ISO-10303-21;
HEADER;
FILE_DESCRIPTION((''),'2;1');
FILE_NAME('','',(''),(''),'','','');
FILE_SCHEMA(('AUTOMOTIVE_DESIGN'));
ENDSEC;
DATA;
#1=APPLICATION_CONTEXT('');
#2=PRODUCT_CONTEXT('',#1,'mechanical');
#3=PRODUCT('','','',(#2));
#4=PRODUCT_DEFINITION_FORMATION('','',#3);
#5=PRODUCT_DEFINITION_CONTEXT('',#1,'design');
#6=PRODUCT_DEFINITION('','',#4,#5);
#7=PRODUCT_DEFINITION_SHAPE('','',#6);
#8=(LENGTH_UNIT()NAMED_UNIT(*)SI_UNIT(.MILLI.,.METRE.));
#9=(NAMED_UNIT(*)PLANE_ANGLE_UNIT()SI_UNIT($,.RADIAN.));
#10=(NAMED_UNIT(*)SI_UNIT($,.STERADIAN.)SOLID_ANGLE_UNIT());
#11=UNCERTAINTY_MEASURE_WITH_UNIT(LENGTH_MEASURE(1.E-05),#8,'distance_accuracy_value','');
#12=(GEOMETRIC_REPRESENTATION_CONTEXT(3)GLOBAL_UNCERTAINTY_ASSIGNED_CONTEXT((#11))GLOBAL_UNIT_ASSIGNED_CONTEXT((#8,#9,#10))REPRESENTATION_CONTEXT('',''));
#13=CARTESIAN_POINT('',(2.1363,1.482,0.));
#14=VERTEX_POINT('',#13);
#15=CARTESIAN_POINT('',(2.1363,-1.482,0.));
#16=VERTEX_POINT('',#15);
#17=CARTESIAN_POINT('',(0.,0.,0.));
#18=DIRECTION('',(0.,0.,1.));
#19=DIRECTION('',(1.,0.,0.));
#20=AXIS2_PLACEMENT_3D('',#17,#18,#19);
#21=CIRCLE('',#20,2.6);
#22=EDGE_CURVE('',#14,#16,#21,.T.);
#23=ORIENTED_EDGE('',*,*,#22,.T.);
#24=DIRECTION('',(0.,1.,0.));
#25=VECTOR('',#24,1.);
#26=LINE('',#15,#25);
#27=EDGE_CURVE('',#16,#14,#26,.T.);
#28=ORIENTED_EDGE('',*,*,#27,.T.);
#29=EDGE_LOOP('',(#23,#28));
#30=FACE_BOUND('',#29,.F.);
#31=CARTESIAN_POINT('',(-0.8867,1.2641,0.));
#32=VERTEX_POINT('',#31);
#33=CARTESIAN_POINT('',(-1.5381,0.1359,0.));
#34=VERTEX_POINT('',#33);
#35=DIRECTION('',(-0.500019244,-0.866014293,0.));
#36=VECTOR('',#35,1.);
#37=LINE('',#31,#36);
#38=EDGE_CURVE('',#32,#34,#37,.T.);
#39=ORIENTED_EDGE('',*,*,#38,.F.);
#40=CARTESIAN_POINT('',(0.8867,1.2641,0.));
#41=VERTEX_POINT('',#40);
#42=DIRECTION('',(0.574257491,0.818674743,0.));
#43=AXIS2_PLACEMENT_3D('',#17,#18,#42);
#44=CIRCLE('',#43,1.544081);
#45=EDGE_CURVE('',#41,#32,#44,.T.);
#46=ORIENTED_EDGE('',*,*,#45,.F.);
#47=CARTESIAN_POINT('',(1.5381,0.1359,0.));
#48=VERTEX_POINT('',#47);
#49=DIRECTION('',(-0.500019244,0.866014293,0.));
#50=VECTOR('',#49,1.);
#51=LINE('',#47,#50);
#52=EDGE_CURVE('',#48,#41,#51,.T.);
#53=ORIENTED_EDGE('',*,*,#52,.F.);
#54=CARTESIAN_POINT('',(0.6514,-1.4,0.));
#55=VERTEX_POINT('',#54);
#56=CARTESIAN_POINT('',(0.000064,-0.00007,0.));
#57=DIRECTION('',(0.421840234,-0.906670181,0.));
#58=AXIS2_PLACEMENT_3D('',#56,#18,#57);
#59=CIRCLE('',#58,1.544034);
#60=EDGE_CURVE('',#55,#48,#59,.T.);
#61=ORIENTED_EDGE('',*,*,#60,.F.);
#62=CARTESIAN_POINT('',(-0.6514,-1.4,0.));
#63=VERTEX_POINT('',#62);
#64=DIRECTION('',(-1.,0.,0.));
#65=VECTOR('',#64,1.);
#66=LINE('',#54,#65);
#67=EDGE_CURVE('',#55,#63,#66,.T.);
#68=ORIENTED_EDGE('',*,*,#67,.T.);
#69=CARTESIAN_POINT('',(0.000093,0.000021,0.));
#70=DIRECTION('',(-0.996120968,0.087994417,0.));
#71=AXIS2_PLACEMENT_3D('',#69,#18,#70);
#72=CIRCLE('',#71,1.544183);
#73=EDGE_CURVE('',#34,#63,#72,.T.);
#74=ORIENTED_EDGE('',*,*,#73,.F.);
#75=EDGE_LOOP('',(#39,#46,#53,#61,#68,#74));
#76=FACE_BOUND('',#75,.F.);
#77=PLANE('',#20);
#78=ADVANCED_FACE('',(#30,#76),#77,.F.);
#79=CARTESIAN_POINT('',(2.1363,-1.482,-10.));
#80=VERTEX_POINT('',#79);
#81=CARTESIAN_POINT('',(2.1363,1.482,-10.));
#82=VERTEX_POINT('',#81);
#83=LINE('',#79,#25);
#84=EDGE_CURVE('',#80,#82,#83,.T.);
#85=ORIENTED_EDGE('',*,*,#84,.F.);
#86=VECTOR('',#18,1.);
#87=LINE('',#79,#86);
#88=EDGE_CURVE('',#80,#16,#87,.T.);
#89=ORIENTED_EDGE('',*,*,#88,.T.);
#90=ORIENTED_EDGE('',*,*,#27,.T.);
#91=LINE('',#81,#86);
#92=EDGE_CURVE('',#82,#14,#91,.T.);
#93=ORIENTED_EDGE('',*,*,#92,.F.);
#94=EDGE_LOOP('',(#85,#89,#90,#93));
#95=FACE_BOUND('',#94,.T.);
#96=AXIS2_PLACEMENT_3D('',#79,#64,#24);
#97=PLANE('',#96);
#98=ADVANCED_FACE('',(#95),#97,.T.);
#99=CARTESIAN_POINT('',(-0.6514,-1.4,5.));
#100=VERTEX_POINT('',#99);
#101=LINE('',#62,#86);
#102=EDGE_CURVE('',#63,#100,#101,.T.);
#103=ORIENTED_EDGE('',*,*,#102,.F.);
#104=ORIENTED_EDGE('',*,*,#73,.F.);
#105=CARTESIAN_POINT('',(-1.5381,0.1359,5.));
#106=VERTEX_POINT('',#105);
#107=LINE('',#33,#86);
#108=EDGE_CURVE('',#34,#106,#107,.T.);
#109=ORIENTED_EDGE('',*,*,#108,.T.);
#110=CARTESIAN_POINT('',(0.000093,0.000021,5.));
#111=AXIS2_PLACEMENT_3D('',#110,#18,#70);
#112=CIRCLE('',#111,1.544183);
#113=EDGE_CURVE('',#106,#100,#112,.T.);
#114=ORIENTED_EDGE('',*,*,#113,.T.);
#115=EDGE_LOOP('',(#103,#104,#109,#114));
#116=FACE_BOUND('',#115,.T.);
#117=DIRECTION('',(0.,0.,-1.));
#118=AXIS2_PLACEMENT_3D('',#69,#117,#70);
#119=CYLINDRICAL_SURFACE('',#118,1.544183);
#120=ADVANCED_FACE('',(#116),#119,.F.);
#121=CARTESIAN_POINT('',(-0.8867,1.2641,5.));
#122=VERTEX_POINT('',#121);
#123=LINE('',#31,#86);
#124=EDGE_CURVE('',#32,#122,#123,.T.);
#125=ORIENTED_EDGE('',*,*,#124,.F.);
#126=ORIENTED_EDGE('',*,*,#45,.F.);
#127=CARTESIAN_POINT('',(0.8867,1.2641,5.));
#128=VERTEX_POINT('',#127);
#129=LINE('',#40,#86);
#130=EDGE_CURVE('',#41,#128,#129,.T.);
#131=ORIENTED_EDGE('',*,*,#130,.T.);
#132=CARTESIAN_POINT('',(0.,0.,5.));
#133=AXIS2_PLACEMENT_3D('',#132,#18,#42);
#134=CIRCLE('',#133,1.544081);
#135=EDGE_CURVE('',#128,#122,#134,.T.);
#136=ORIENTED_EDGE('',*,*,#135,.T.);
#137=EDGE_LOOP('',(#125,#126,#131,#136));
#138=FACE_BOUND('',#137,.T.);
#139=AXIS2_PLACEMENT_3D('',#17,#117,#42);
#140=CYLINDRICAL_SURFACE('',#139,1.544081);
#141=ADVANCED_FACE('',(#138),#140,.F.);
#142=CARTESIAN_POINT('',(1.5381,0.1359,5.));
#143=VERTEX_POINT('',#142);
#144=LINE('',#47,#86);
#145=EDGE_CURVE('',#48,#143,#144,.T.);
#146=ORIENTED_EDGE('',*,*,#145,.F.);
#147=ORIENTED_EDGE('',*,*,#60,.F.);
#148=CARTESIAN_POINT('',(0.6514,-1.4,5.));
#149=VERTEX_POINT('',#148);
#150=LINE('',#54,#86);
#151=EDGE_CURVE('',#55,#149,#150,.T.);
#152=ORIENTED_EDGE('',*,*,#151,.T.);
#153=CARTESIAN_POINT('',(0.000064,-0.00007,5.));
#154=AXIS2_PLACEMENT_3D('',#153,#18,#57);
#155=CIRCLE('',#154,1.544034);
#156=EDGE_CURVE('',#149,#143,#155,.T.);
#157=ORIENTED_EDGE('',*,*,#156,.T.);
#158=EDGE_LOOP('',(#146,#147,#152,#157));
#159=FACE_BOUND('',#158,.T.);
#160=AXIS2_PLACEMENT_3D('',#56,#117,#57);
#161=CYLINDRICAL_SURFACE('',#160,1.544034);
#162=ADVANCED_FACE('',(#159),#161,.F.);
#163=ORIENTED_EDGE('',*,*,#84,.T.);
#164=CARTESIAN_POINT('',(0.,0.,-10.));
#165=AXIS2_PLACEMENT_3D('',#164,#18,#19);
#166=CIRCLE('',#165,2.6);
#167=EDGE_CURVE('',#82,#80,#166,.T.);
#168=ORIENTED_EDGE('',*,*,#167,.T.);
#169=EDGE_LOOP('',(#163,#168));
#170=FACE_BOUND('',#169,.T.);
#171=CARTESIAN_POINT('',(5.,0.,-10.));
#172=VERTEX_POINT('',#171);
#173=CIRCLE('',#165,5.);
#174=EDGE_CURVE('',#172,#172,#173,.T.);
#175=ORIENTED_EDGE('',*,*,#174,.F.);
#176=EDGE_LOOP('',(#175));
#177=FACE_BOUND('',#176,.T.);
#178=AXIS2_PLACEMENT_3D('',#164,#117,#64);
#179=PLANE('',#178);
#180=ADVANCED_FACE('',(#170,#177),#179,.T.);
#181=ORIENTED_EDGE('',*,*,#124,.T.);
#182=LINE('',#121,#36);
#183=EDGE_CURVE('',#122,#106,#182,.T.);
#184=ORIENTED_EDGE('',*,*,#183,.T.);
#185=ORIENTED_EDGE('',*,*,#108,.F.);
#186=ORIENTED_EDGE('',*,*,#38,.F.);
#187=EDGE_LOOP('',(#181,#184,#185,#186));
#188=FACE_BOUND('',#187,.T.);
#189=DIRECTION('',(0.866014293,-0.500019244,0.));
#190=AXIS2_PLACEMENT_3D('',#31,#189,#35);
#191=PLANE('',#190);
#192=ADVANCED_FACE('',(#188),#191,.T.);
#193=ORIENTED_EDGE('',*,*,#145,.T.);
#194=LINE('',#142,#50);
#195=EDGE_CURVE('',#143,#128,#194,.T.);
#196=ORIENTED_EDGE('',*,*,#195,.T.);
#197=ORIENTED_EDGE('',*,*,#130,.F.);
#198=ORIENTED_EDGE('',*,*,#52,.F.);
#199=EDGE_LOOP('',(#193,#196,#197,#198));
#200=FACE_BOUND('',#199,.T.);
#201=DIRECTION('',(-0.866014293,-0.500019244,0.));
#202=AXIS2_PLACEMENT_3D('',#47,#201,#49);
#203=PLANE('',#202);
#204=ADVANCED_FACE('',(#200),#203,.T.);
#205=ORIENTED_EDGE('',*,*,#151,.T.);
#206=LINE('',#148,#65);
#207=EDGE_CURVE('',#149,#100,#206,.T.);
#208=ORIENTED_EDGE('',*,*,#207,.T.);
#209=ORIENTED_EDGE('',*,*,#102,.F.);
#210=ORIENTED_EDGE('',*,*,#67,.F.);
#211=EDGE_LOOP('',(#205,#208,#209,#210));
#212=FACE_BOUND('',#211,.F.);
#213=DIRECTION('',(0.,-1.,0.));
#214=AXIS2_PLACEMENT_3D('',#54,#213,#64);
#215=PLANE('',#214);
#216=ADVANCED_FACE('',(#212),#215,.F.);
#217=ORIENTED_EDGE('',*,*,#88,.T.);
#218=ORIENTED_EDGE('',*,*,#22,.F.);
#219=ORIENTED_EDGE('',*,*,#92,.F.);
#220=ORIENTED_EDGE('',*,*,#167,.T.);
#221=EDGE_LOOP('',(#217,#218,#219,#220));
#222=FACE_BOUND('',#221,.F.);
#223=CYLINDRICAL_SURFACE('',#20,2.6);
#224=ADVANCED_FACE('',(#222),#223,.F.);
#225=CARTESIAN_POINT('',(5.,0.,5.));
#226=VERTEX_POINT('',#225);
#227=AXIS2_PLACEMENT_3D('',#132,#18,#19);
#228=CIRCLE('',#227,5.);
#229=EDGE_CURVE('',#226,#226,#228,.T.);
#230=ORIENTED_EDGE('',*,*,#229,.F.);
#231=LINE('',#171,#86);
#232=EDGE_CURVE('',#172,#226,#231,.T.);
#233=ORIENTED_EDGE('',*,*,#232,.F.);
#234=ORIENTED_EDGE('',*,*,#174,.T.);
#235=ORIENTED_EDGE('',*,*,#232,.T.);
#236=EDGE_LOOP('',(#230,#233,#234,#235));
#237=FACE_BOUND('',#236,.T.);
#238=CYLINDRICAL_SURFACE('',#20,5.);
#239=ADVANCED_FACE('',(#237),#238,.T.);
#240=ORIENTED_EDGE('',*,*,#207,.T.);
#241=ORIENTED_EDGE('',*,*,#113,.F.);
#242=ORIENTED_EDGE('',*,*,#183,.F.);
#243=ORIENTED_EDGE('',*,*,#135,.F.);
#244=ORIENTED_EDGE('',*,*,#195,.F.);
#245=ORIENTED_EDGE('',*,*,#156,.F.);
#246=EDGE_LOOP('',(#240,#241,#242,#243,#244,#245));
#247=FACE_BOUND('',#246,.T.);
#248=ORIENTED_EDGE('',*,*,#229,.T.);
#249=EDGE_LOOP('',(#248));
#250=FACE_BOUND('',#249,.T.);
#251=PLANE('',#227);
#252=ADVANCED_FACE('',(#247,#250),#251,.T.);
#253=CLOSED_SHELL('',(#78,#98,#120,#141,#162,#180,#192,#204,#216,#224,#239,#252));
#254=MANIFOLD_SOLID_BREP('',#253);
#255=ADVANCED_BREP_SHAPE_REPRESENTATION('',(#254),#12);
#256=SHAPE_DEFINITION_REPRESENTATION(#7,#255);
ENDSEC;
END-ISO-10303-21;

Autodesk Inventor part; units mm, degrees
ref_plane "YZ Plane" through (0, 0, 0) normal (1, 0, 0) x (0, 1, 0)
ref_plane "XZ Plane" through (0, 0, 0) normal (0, 1, 0) x (-1, 0, 0)
ref_plane "XY Plane" through (0, 0, 0) normal (0, 0, 1) x (1, 0, 0)
sketch "Sketch1" plane through (0, 0, 0) normal (0, 0, 1) x (1, 0, 0)
  circle A0 centre (0, 0) radius 2.5 projected
  circle A1 centre (0, 0) radius 2.6
  line L0 (-1.3981, 2.1921) -> (1.3981, 2.1921)
  circle A2 centre (0, 0) radius 5
  dimension "d0" = 0.1
  dimension "d1" = 10
extrude "Extrusion1" add sketch "Sketch1" against normal blind 10
sketch "Sketch2" plane through (0, 0, 0) normal (0, 0, 1) x (1, 0, 0)
  circle A0 centre (0, 0) radius 1.4 construction
  line L0 (0.6514, -1.4) -> (-0.6514, -1.4)
  line L1 (1.5381, 0.1359) -> (0.8867, 1.2641)
  line L2 (-0.8867, 1.2641) -> (-1.5381, 0.1359)
  arc A1 (0.6514, -1.4) -> (1.5381, 0.1359) centre (0, 0) ccw
  arc A2 (-1.5381, 0.1359) -> (-0.6514, -1.4) centre (0, 0) ccw
  arc A3 (0.8867, 1.2641) -> (-0.8867, 1.2641) centre (0, 0) ccw
  circle A4 centre (0, 0) radius 5 projected
  dimension "d4" = 2.8
  dimension "d9" = 60
  dimension "d10" = 60
extrude "Extrusion2" add sketch "Sketch2" along normal blind 5
sketch "Sketch3" plane through (0, 0, -10) normal (0, 0, -1) x (-1, 0, 0)
  line L0 (-2.1363, -1.482) -> (-2.1363, 1.482)
  circle A0 centre (0, 0) radius 2.6 projected
extrude "Extrusion3" add sketch "Sketch3" against normal up to surface (10 mm away) contours A0 L0 picked at (-2.2341, 0.3085)
properties part number "OPENTRONS_Autofocus_clutch_Nema"
